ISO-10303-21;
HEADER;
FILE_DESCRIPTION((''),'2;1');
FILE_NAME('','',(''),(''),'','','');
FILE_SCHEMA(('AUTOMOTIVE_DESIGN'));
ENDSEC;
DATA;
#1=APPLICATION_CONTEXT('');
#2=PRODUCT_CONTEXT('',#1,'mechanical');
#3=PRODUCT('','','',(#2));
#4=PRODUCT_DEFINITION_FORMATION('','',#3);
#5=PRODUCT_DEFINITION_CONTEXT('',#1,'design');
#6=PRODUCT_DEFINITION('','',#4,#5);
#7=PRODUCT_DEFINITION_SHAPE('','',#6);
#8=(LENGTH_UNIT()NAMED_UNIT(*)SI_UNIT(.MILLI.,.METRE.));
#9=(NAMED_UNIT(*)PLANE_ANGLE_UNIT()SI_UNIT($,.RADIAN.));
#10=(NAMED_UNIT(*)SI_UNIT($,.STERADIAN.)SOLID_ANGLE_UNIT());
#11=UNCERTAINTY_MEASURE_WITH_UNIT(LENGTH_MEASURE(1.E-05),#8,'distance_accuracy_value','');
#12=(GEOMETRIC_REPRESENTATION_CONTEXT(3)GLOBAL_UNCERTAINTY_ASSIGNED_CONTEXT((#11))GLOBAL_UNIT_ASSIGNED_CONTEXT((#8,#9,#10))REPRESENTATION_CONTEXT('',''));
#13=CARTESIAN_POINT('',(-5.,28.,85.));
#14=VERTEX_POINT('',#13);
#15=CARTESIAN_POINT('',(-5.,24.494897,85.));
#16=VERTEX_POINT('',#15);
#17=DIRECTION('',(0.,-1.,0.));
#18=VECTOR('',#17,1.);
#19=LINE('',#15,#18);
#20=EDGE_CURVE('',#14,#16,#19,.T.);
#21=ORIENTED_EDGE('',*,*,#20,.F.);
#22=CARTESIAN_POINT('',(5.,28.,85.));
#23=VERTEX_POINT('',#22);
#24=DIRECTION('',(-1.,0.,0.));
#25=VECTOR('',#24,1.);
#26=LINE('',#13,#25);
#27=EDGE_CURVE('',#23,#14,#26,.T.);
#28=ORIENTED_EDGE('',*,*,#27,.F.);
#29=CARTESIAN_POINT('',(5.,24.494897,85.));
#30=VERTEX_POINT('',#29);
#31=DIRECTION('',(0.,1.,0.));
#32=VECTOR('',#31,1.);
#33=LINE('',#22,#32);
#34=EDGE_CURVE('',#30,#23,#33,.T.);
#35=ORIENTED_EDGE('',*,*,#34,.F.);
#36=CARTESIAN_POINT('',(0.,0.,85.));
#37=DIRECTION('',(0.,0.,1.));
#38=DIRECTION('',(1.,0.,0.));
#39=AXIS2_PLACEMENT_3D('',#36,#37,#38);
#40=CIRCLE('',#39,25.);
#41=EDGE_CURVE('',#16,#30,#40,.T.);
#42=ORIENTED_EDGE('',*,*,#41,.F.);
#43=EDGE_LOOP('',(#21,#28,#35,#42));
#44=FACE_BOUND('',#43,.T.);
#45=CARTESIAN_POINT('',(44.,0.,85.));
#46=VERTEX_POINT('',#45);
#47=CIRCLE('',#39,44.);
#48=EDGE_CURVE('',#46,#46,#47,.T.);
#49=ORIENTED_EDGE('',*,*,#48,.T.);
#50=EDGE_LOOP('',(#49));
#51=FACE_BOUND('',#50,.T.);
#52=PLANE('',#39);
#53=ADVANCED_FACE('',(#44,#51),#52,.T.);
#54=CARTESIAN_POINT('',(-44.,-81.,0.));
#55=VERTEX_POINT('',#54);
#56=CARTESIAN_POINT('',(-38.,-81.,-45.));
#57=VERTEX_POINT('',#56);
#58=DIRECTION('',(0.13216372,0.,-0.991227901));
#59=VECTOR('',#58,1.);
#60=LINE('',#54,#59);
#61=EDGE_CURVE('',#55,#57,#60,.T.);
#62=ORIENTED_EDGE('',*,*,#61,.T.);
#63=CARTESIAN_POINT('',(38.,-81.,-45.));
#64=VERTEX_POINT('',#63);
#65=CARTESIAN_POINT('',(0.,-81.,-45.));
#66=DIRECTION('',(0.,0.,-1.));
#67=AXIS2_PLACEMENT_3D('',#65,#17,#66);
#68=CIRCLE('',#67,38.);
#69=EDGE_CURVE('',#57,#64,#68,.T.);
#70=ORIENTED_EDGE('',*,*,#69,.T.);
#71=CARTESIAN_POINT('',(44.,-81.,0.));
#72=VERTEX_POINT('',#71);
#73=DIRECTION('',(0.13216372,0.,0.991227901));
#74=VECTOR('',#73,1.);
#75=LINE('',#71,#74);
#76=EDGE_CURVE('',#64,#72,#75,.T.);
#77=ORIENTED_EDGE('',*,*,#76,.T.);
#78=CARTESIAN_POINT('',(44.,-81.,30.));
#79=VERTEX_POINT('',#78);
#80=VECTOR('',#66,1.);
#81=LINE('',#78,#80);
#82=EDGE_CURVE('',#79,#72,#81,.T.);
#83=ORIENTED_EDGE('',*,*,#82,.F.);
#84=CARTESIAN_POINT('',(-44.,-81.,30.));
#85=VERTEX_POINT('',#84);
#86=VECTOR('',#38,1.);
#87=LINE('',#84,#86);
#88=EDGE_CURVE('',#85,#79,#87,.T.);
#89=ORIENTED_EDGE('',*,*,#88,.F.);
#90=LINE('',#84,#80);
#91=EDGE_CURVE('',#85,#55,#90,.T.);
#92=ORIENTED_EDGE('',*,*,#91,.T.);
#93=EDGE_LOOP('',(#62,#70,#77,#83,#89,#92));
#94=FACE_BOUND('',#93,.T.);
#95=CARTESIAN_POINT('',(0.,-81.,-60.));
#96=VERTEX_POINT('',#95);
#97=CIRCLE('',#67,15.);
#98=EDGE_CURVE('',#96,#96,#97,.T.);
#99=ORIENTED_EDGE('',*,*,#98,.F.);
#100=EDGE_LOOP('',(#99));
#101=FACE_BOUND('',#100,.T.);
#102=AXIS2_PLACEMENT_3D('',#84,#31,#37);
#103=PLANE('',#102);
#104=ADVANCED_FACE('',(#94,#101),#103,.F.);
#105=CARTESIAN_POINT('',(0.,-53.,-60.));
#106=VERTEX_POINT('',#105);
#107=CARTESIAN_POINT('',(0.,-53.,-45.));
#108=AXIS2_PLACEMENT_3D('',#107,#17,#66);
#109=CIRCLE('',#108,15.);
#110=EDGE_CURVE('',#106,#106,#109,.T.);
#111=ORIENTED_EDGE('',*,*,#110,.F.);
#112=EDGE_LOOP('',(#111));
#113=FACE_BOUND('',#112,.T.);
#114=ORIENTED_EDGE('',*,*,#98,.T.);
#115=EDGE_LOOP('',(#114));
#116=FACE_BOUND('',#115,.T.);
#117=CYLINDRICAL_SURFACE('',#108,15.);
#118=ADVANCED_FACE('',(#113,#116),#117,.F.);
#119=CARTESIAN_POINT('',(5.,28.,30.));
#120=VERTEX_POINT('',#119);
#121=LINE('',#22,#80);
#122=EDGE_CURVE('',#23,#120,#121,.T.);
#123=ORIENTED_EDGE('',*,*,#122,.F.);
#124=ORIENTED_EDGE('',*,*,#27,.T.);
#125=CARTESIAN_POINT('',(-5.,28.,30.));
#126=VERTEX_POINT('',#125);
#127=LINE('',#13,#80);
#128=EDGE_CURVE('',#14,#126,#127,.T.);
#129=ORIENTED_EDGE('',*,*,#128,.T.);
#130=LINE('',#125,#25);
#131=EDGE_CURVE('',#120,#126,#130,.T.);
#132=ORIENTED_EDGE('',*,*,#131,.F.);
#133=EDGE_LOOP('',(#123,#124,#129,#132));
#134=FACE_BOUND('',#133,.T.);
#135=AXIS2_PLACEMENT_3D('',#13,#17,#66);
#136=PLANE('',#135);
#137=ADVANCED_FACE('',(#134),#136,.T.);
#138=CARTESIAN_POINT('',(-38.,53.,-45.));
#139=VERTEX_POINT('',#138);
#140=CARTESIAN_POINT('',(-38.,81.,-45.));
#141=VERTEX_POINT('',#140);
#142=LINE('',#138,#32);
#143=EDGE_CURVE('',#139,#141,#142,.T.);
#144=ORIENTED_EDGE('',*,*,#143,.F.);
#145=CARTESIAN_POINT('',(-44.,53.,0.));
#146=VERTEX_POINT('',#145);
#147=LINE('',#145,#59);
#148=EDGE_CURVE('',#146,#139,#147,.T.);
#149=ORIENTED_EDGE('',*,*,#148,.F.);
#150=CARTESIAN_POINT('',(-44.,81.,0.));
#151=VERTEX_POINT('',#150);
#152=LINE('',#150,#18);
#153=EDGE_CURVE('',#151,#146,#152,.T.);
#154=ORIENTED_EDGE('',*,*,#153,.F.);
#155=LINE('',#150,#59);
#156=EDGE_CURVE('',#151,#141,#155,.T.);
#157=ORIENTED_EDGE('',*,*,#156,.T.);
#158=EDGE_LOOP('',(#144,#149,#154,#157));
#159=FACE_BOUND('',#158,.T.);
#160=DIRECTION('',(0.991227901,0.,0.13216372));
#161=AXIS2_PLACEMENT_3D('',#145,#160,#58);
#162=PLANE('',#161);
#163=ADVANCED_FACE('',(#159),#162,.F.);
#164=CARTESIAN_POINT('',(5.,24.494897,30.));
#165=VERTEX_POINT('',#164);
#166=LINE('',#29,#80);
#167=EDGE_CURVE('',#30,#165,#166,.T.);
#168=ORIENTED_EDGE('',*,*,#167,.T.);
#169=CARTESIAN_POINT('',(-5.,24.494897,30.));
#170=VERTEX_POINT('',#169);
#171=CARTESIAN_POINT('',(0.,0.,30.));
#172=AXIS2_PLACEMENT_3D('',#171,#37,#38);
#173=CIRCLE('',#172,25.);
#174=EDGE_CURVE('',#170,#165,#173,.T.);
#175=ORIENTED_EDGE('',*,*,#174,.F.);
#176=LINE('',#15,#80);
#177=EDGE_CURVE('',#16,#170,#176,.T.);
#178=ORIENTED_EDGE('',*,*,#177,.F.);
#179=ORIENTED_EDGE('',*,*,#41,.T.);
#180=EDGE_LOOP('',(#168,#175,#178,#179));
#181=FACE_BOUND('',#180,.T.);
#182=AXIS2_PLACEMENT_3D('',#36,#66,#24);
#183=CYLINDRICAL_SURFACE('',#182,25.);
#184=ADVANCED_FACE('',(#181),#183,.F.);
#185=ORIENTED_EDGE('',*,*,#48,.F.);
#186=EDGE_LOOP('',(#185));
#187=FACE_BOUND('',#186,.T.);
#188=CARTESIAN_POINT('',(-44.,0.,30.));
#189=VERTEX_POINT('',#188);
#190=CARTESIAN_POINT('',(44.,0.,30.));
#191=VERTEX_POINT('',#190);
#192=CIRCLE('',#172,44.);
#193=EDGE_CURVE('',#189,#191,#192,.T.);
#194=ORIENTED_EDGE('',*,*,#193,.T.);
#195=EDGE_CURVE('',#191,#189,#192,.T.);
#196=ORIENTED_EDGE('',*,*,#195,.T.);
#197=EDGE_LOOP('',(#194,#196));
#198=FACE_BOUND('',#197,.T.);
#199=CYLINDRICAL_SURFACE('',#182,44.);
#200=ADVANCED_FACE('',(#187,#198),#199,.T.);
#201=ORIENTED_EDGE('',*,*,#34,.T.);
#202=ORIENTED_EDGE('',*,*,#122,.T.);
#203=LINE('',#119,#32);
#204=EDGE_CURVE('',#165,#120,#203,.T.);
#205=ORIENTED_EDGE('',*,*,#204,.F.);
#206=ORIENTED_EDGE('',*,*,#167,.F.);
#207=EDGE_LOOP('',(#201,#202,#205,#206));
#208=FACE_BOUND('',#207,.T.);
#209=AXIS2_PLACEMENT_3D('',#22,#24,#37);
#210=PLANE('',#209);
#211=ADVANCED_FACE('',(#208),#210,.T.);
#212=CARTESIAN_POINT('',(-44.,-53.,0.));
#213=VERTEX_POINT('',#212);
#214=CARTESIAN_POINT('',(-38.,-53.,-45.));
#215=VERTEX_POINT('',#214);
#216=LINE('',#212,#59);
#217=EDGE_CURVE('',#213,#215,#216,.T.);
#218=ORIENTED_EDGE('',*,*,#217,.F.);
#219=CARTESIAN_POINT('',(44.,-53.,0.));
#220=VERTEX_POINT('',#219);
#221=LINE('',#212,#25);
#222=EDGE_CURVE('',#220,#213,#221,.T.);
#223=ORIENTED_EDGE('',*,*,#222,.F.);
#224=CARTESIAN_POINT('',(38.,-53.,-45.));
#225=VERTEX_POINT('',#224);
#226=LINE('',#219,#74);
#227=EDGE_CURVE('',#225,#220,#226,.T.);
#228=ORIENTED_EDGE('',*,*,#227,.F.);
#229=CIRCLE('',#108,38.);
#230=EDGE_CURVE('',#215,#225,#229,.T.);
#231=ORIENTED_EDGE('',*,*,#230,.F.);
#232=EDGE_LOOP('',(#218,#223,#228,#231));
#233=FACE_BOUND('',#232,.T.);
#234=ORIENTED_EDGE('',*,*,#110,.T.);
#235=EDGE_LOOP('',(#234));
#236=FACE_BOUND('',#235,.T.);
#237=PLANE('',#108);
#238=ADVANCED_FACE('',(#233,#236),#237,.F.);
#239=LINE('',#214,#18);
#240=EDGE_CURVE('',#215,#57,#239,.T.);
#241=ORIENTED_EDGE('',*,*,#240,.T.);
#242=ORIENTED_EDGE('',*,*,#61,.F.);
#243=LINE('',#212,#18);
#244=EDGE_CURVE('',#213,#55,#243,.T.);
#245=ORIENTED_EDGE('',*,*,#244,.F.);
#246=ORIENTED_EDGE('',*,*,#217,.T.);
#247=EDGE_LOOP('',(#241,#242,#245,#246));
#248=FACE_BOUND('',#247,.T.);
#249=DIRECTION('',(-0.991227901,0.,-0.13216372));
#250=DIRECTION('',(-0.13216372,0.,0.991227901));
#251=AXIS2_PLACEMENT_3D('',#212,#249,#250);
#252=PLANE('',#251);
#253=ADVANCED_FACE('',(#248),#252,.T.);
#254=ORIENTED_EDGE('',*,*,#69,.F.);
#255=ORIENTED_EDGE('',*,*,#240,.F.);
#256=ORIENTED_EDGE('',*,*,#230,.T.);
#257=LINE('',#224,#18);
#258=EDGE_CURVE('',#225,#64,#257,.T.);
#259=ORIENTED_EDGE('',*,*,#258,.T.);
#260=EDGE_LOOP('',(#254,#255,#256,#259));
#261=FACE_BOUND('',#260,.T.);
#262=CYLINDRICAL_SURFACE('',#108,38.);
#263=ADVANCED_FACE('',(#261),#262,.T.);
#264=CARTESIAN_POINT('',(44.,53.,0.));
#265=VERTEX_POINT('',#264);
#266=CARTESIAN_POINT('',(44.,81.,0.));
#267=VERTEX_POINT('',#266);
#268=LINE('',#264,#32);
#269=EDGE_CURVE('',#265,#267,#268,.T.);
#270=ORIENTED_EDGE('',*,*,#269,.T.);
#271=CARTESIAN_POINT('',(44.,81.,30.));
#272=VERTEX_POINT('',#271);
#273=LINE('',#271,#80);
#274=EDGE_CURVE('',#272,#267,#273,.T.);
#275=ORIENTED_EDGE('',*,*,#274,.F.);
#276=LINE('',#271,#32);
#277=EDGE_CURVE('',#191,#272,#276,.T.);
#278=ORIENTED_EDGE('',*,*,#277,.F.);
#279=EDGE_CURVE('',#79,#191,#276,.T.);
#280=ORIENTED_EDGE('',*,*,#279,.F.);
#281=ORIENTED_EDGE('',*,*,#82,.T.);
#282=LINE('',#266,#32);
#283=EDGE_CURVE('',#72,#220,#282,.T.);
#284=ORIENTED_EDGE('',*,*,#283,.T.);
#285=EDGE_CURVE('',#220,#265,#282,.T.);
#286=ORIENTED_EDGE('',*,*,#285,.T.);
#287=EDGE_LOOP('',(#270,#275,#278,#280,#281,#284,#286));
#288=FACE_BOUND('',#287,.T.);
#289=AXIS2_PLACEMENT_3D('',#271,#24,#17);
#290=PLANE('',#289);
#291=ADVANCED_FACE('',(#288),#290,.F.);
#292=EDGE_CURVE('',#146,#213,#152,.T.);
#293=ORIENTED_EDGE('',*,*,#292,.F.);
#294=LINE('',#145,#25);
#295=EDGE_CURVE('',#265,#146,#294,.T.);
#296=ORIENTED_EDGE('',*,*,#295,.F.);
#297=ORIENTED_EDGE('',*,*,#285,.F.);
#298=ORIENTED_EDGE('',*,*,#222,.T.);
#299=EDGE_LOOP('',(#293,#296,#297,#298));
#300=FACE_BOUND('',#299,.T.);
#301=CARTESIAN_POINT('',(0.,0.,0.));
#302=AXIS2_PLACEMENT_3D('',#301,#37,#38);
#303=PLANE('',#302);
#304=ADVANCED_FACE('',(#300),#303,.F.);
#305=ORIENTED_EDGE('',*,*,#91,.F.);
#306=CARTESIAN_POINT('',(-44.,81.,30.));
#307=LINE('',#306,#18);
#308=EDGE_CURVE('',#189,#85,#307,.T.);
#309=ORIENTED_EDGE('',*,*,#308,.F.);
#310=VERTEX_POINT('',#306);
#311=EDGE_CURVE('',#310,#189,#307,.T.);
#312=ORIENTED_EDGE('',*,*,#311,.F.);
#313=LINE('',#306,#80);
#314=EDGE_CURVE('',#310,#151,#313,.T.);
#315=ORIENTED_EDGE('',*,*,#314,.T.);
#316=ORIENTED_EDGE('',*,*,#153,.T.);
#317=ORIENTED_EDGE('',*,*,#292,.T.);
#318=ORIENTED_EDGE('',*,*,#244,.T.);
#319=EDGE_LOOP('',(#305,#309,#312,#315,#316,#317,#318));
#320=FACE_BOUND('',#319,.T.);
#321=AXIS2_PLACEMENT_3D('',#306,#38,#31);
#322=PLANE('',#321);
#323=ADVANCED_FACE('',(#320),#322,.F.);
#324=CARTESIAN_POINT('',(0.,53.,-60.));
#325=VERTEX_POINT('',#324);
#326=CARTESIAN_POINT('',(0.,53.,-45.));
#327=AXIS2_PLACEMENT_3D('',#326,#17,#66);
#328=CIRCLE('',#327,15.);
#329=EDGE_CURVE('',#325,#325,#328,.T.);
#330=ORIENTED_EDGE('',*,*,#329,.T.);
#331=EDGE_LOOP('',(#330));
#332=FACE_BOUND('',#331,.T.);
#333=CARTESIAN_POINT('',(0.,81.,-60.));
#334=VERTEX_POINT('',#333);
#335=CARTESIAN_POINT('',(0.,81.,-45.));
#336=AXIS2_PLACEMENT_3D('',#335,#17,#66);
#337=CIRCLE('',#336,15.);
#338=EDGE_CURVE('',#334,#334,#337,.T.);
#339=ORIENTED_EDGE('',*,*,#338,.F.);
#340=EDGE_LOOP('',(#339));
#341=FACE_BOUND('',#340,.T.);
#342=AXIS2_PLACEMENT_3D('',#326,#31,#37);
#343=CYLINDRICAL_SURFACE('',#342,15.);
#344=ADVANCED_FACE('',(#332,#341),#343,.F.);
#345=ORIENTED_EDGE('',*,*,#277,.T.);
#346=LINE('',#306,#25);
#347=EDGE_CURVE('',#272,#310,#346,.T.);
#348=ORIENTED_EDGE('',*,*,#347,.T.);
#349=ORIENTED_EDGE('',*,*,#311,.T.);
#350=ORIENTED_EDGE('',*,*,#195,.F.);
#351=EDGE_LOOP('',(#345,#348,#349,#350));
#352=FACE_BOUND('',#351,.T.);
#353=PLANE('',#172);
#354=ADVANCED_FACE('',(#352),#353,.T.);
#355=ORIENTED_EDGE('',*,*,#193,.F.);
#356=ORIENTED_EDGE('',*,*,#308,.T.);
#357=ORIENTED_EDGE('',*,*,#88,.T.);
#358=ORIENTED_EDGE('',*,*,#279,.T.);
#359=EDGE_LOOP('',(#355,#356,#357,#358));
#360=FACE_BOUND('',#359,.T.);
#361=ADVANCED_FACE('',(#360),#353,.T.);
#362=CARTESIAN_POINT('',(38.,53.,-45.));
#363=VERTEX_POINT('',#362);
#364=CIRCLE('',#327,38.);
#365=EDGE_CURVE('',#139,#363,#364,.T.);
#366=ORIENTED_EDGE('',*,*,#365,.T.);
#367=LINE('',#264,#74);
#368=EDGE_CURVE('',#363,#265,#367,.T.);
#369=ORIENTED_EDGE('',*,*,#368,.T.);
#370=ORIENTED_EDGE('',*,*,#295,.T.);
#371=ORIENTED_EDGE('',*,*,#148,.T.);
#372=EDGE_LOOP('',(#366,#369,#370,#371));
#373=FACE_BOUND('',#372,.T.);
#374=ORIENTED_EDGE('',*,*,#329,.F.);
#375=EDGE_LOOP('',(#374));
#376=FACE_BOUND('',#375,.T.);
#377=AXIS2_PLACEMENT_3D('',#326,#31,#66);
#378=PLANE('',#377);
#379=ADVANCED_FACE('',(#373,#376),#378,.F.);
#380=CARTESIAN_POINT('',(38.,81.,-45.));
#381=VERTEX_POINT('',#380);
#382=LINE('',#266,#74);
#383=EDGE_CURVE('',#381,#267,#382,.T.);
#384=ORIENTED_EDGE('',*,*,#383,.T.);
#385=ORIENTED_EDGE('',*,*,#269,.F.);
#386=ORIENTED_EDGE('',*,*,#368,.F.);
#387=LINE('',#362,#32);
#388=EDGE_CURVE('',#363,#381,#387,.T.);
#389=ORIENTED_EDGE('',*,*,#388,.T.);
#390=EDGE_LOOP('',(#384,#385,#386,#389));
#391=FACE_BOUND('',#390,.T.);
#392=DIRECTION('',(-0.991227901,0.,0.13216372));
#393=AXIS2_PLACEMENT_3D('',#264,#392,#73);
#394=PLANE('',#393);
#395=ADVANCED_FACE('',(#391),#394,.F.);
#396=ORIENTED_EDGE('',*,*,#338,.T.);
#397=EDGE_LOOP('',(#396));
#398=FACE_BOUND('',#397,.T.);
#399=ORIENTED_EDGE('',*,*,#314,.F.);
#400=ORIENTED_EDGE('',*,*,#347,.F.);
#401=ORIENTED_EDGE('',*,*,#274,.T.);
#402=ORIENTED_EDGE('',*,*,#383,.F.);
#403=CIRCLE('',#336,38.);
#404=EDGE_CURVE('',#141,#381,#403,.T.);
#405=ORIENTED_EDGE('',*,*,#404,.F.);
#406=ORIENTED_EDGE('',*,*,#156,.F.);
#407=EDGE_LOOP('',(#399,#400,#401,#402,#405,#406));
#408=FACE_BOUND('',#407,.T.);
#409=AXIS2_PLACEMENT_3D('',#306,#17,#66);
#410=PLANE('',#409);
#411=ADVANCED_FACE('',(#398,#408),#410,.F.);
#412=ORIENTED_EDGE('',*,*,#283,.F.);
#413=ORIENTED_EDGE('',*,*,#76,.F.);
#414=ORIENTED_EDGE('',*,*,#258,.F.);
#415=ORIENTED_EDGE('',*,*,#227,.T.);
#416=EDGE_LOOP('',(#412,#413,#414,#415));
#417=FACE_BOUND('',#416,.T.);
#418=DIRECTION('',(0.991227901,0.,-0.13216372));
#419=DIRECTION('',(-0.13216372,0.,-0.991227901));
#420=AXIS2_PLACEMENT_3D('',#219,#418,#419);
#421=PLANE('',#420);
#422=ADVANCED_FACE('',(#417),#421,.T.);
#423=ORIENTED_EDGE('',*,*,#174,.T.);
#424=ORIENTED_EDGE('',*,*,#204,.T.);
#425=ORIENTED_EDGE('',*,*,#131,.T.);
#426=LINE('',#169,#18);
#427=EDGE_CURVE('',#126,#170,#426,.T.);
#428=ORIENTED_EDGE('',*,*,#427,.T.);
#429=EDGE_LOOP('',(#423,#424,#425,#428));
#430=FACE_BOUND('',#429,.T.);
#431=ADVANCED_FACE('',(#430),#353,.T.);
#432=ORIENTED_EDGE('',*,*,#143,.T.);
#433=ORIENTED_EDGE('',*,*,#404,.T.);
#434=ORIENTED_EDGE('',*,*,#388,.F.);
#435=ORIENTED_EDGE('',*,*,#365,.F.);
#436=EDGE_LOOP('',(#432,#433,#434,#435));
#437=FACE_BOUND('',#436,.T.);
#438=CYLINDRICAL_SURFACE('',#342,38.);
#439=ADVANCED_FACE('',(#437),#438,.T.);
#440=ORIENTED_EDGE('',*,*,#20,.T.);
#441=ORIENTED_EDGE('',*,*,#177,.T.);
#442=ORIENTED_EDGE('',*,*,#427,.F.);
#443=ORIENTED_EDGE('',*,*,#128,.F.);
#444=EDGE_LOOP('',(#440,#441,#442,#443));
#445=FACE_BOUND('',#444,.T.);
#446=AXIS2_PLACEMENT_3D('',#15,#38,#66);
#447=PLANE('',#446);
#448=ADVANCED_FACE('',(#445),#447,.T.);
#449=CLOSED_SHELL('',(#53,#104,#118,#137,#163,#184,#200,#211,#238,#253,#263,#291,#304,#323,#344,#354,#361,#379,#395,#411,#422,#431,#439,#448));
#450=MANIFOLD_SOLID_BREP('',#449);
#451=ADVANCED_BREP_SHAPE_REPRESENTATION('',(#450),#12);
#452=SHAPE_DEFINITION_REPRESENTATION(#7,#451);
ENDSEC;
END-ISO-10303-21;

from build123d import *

# Parameters (mm, degrees)
SKETCH1_W           = 88
SKETCH1_H           = 162
BOSS_EXTRUDE1_DEPTH = 30
SKETCH2_R           = 44
BOSS_EXTRUDE2_DEPTH = 55
SKETCH3_R           = 15
BOSS_EXTRUDE3_DEPTH = 28


with BuildPart() as part:
    # Sketch1 → Boss-Extrude1 (new body)
    with BuildSketch(Plane.XY):
        Rectangle(SKETCH1_W, SKETCH1_H)
    extrude(amount=BOSS_EXTRUDE1_DEPTH)

    # Sketch2 → Boss-Extrude2 (add)
    with BuildSketch(Plane.XY.offset(30)):
        Circle(SKETCH2_R)
        with BuildLine():
            Line((-5, 24.494897428), (-5, 28))
            Line((-5, 28), (5, 28))
            Line((5, 28), (5, 24.494897428))
            ThreePointArc((5, 24.494897428), (0, -25), (-5, 24.494897428))
        make_face(mode=Mode.SUBTRACT)
    extrude(amount=BOSS_EXTRUDE2_DEPTH)

    # Sketch3 → Boss-Extrude3 (add)
    with BuildSketch(Plane.XZ.offset(81)):
        with BuildLine():
            Line((-44, 0), (-38, -45))
            ThreePointArc((-38, -45), (0, -83), (38, -45))
            Line((38, -45), (44, 0))
            Line((44, 0), (-44, 0))
        make_face()
        with Locations(Location((0, -45, 0), (0, 0, 270))):
            Circle(SKETCH3_R, mode=Mode.SUBTRACT)
    boss_extrude3 = extrude(amount=-BOSS_EXTRUDE3_DEPTH)

    # Mirror1: Boss-Extrude3 across plane
    add(boss_extrude3.mirror(Plane.ZX))


solid = part.part
